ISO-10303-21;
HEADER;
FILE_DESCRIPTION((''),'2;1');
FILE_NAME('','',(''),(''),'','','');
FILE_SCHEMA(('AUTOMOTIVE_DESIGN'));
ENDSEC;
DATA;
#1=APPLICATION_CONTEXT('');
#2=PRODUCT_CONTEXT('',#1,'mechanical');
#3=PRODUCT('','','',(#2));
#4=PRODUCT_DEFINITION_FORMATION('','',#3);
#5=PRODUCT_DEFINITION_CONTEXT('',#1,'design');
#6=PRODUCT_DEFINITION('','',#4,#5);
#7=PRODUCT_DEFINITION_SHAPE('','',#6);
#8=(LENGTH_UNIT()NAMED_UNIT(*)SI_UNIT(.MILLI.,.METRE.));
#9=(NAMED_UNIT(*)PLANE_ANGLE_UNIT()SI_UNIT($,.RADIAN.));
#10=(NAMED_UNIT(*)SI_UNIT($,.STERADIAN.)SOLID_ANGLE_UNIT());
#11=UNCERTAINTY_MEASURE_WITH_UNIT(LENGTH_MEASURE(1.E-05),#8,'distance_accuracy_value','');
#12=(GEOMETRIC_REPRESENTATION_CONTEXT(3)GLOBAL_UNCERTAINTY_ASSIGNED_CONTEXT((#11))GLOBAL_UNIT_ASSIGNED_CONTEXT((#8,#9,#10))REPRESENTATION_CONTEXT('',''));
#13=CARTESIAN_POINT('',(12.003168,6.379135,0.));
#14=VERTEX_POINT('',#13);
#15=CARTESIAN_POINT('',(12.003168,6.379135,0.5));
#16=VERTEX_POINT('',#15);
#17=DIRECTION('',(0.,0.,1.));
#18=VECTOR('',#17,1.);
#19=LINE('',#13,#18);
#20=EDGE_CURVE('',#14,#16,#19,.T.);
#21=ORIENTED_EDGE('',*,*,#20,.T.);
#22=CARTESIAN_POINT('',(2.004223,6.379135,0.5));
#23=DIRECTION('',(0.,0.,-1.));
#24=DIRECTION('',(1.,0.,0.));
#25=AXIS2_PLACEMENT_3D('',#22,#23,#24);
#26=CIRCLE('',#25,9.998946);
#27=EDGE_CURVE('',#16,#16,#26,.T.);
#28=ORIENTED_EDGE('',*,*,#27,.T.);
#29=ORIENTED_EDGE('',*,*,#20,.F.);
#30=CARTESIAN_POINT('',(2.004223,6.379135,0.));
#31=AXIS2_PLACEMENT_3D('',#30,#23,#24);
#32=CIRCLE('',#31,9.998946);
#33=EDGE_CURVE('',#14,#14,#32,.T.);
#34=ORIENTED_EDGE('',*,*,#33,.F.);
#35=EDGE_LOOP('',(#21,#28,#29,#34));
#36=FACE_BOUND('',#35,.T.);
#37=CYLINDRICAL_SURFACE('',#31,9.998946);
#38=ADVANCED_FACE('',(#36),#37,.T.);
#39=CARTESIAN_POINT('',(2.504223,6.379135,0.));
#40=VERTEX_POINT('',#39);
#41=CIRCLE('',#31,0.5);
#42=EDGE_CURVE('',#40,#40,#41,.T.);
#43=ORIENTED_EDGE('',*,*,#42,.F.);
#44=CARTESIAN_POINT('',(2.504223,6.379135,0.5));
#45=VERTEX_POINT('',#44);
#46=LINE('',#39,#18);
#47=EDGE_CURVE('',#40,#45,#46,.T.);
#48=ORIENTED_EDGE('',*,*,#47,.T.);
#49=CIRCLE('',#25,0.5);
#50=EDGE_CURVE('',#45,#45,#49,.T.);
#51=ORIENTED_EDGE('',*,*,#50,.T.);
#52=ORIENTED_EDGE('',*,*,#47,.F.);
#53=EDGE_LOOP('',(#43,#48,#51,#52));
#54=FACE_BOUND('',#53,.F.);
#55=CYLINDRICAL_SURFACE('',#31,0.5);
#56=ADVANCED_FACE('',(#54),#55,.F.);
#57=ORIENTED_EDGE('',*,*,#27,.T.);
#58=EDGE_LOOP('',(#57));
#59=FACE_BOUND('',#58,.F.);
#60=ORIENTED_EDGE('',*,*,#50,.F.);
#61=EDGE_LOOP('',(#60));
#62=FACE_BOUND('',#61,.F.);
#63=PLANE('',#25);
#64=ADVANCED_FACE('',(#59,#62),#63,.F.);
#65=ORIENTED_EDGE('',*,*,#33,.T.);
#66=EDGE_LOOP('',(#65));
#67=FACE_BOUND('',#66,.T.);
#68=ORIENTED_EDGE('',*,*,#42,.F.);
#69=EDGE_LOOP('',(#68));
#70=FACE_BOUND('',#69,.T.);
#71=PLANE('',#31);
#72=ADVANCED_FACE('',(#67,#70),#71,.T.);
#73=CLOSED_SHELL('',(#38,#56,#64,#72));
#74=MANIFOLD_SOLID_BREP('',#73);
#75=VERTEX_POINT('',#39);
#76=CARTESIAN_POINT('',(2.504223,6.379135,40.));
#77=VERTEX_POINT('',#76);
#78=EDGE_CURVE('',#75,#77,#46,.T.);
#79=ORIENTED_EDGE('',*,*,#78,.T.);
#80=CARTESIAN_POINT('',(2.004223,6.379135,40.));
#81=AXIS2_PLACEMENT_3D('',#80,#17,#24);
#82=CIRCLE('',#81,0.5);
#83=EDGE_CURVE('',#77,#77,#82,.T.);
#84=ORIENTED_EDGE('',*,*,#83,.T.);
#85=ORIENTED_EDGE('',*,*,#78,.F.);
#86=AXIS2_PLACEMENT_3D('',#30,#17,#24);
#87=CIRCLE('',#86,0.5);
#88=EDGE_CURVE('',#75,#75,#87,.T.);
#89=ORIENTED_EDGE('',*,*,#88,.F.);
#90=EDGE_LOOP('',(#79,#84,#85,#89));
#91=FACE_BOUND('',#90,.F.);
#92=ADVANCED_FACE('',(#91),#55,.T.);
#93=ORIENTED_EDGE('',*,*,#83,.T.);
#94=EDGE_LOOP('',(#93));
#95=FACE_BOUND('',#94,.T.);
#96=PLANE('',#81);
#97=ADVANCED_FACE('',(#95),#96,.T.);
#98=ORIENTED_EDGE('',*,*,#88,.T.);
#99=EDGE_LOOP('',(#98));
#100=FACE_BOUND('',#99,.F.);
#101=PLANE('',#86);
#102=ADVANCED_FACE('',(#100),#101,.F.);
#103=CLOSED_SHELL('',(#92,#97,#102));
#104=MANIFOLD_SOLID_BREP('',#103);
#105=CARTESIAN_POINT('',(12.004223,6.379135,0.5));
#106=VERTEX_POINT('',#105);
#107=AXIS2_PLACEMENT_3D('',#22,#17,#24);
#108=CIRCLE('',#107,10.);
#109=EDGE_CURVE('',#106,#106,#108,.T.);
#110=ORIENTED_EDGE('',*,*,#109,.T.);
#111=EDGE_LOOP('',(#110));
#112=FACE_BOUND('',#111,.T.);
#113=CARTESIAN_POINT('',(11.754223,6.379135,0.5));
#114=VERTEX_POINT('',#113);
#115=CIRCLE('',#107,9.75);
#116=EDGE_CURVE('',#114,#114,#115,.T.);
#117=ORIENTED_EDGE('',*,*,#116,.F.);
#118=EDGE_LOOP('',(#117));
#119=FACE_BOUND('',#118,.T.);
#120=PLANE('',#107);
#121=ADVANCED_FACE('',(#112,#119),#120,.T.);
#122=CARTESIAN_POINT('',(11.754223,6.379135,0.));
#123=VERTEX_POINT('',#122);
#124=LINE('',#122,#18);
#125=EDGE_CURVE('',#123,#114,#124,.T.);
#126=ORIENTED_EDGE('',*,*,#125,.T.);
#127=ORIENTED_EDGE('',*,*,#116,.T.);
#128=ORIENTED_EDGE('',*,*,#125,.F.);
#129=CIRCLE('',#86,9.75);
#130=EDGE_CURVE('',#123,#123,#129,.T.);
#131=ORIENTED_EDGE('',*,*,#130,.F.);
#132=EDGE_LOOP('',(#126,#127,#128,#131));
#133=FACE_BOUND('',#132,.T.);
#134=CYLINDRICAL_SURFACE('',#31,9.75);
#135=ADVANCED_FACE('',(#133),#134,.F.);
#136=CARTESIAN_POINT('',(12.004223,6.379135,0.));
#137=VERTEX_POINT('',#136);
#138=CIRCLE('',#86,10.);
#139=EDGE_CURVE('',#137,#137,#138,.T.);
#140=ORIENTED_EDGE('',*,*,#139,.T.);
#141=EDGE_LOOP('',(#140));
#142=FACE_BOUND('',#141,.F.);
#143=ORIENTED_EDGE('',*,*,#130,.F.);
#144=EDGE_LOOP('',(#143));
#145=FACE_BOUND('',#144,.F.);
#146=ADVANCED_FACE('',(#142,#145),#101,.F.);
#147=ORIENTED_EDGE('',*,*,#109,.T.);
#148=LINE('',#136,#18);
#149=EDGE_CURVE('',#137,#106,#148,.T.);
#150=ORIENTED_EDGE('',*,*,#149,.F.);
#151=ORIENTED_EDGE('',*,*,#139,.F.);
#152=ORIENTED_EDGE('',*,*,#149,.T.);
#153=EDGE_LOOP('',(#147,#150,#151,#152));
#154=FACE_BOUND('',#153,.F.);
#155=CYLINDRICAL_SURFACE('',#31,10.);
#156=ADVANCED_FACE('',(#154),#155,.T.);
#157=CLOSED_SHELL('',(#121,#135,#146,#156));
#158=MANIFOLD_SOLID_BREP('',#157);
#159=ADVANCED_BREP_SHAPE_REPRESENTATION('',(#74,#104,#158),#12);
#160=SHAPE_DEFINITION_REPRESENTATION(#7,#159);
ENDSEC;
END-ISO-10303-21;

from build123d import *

# Parameters (mm, degrees)
F0_R     = 0.5
F1_DEPTH = 42.5
F0_R_2   = 10
F0_R_3   = 9.75
F2_DEPTH = 0.5
F3_R     = 9.9989455161
F3_R_2   = 0.5
F4_DEPTH = 0.5
F5_DEPTH = 0.05
F6_DEPTH = 0.06
F7_DEPTH = 2.5


with BuildPart() as f1:
    # F0 (on Top) → F1 (new body)
    with BuildSketch(Plane.XY):
        with Locations((2.0042229444, 6.3791351343)):
            Circle(F0_R)
    extrude(amount=F1_DEPTH)

    # F7 (cut): a face of the model
    f7_faces = [f1.faces().sort_by_distance(p)[0] for p in [
        (2.0042229444, 6.3791351343, 42.5),
    ]]
    extrude(f7_faces, amount=-F7_DEPTH, mode=Mode.SUBTRACT)


with BuildPart() as f2:
    # F0 (on Top) → F2 (new body)
    with BuildSketch(Plane.XY):
        with Locations((2.0042229444, 6.3791351343)):
            Circle(F0_R_2)
        with Locations((2.0042229444, 6.3791351343)):
            Circle(F0_R_3, mode=Mode.SUBTRACT)
    extrude(amount=F2_DEPTH)


with BuildPart() as f4:
    # F3 (on face) → F4 (new body)
    with BuildSketch(Plane(origin=(0, 0, 0), x_dir=(1, 0, 0), z_dir=(0, 0, -1))):
        with Locations((2.0042229444, -6.3791351343)):
            Circle(F3_R)
        with Locations((2.0042229444, -6.3791351343)):
            Circle(F3_R_2, mode=Mode.SUBTRACT)
    extrude(amount=-F4_DEPTH)


with BuildPart() as f5:
    # F5 (new): a face of the model
    f5_faces = [f4.part.faces().sort_by_distance(p)[0] for p in [
        (-7.7119096846, 6.3791351343, 0),
    ]]
    extrude(f5_faces, amount=F5_DEPTH)

    # F6 (cut): a face of the model
    f6_faces = [f5.faces().sort_by_distance(p)[0] for p in [
        (-7.7119096846, 6.3791351343, -0.05),
    ]]
    extrude(f6_faces, amount=-F6_DEPTH, mode=Mode.SUBTRACT)


solid = Compound([f1.part, f2.part, f4.part])
